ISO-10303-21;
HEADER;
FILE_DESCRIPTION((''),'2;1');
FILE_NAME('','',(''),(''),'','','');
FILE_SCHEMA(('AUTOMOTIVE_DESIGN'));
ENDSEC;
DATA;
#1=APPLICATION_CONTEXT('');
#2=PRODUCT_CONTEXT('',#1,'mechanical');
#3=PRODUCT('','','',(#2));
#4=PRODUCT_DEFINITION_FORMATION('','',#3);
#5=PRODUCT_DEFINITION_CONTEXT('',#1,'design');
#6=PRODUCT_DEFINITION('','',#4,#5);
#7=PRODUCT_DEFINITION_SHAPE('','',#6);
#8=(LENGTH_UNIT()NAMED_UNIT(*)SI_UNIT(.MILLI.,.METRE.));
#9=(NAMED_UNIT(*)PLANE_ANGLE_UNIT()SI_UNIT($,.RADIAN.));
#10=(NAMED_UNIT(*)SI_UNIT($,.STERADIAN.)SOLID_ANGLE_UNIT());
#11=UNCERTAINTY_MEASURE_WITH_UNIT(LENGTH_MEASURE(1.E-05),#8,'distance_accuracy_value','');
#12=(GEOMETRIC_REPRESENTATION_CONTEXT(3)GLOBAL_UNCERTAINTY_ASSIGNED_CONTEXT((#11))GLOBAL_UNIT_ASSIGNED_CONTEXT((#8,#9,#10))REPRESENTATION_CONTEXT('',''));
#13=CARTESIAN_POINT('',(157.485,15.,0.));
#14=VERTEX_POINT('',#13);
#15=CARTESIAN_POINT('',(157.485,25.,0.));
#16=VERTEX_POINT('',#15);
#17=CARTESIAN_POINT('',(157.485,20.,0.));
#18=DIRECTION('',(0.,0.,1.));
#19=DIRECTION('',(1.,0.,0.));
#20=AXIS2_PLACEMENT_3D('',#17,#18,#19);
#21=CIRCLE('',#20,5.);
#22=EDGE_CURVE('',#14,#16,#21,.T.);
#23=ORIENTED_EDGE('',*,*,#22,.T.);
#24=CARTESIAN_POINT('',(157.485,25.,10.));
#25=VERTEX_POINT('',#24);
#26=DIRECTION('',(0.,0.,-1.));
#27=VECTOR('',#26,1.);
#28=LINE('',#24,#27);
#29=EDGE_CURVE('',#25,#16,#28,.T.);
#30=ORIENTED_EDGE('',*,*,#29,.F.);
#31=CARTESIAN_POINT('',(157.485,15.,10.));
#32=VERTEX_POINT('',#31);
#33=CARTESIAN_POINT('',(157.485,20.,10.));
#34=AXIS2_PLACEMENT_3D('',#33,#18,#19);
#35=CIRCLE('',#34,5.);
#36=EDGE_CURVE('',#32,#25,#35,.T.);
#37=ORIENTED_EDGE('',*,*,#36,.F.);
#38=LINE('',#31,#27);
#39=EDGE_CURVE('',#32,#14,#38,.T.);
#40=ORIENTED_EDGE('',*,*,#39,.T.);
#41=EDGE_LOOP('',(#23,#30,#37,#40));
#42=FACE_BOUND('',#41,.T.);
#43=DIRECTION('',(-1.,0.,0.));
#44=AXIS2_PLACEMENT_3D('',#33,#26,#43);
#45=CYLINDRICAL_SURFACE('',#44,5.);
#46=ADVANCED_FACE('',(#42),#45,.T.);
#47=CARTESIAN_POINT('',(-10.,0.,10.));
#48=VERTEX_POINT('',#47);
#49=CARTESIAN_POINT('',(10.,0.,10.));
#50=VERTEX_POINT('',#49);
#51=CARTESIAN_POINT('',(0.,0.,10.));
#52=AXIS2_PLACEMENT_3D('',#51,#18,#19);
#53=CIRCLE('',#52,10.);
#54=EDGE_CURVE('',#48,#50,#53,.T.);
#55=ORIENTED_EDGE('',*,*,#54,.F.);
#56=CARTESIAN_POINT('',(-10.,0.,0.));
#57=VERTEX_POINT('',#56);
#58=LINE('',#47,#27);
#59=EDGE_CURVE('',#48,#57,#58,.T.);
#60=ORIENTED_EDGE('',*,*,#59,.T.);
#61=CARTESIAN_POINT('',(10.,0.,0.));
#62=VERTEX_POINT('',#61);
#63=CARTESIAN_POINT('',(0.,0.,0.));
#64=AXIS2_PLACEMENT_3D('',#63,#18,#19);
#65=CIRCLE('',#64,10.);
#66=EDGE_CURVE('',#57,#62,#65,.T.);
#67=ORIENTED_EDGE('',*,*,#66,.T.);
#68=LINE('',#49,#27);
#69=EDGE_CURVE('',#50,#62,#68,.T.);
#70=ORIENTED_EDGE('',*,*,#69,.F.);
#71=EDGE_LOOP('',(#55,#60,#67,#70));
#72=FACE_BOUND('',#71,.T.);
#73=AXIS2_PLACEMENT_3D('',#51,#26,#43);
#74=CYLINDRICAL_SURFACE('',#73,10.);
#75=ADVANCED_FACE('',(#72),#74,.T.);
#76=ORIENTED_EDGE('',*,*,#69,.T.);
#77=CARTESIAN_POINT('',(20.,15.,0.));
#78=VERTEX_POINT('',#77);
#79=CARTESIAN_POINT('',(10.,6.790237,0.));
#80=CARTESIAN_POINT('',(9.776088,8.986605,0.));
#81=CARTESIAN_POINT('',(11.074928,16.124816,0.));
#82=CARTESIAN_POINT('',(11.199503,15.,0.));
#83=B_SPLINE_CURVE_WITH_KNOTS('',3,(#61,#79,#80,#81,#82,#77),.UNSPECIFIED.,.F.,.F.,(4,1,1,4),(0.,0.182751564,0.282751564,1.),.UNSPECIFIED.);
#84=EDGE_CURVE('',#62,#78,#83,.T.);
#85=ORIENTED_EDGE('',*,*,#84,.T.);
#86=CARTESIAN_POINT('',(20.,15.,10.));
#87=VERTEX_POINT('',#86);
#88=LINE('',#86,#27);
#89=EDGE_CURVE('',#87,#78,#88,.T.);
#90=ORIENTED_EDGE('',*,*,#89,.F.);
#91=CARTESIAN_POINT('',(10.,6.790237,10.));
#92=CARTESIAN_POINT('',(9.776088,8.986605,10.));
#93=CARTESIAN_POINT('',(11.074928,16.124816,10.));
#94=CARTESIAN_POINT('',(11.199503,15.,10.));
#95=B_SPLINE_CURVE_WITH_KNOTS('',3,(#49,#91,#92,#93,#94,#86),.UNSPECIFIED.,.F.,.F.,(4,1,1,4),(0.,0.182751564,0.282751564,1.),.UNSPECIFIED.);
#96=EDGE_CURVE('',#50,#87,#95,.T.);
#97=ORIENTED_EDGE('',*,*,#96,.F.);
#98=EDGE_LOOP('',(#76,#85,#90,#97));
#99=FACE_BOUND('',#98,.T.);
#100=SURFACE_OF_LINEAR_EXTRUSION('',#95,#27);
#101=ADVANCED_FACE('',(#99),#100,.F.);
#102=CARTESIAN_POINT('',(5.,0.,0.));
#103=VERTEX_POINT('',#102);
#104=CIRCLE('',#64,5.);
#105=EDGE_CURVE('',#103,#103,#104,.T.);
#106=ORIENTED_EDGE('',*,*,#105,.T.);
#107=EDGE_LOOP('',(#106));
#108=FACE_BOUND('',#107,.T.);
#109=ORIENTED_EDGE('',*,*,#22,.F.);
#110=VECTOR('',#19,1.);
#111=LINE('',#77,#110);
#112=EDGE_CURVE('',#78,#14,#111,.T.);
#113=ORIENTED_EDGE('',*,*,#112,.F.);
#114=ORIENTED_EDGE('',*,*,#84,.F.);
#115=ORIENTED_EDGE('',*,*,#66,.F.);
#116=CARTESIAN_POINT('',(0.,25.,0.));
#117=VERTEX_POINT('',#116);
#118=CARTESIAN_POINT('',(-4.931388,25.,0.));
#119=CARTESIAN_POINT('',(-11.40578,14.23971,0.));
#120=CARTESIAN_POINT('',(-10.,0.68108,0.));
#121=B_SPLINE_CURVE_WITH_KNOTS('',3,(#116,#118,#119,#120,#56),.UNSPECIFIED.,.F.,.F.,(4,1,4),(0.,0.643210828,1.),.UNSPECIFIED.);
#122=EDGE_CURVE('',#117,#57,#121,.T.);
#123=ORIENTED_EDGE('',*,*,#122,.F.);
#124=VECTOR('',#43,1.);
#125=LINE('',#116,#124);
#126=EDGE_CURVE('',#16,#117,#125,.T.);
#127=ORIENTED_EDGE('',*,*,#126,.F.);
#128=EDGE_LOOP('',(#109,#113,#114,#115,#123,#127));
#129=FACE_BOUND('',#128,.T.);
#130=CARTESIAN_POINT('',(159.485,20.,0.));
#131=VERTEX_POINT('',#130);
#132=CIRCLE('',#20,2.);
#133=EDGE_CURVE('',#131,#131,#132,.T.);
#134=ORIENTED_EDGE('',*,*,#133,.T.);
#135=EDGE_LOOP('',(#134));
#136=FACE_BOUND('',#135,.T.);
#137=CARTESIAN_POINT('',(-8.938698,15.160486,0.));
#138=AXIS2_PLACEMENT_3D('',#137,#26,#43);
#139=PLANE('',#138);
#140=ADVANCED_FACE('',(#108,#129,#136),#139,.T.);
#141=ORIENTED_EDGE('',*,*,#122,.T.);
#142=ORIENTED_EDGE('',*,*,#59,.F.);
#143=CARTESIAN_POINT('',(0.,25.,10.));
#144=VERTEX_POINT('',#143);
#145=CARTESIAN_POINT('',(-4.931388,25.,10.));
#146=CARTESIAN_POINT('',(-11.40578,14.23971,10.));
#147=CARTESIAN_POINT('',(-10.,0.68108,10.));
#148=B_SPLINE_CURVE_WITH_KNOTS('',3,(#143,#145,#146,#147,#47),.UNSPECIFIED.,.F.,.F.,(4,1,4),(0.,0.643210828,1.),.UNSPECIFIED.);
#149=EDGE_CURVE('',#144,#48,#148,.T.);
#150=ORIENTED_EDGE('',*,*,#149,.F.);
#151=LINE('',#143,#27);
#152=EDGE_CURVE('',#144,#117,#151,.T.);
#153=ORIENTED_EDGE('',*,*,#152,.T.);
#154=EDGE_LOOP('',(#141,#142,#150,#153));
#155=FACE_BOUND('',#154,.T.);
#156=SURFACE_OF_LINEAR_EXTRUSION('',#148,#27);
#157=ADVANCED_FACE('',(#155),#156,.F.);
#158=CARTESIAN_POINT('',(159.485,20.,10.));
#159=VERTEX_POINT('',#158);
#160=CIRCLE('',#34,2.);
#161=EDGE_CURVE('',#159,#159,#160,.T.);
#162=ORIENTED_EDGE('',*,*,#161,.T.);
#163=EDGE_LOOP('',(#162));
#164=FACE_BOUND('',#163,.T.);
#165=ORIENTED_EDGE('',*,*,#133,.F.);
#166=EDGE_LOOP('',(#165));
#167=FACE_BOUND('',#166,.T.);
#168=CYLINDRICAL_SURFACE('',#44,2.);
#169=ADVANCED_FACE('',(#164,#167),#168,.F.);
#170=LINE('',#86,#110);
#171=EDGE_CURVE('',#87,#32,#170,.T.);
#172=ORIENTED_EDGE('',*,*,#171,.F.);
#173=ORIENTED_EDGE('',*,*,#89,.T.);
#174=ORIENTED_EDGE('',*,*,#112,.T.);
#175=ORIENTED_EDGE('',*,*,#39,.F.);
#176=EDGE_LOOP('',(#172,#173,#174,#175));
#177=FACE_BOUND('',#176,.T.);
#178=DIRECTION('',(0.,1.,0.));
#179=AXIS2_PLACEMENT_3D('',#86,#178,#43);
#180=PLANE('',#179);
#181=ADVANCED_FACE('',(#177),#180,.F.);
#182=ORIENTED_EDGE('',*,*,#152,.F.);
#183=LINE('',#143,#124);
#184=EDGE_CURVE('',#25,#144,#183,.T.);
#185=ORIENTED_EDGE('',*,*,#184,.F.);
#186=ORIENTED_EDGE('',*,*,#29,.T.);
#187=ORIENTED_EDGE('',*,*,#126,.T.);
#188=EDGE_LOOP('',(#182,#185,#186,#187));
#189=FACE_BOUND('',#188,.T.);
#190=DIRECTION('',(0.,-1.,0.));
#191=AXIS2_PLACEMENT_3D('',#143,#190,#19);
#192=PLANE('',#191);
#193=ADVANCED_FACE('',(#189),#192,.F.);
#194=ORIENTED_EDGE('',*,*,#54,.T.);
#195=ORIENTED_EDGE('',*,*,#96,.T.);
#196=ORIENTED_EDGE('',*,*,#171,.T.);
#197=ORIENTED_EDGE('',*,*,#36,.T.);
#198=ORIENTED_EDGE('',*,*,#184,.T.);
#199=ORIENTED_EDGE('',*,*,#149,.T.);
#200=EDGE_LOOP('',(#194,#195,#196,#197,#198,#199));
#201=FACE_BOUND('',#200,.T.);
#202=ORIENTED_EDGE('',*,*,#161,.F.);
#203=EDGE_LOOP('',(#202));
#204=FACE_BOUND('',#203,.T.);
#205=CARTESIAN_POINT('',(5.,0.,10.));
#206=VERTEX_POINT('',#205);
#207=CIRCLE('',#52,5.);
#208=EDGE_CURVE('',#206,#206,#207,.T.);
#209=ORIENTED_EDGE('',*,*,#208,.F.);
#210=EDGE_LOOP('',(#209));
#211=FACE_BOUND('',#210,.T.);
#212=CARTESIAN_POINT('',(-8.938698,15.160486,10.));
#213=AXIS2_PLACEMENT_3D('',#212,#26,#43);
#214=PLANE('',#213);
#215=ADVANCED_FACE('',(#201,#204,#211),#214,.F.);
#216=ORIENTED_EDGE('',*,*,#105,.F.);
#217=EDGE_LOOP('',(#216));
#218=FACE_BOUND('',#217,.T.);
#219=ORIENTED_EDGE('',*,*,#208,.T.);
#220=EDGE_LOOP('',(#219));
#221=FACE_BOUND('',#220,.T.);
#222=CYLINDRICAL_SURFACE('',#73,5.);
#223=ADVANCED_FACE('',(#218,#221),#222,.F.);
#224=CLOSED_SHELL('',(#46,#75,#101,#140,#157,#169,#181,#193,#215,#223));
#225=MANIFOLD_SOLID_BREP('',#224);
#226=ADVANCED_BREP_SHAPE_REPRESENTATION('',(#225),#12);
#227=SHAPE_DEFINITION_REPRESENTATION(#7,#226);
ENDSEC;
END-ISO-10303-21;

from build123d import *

# Parameters (mm, degrees)
SKETCH1_R           = 2
SKETCH1_R_2         = 5
BOSS_EXTRUDE1_DEPTH = 10


with BuildPart() as part:
    # Sketch1 → Boss-Extrude1 (new body)
    with BuildSketch(Plane(origin=(0, 0, 0), x_dir=(0, 1, 0), z_dir=(0, 0, 1))):
        with BuildLine():
            Line((25, 0), (25, -157.485))
            ThreePointArc((25, -157.485), (20, -162.485), (15, -157.485))
            Line((15, -157.485), (15, -20))
            add(Edge.make_bspline(
                [(0, -10), (6.790237035, -10), (8.986605454, -9.776088448), (16.124815875, -11.074928382), (15, -11.199503027), (15, -20)],
                knots=[0, 0, 0, 0, 0.182751564, 0.282751564, 1, 1, 1, 1], degree=3))
            ThreePointArc((0, -10), (-10, 0), (0, 10))
            add(Edge.make_bspline(
                [(0, 10), (0.681079819, 10), (14.239709664, 11.405780044), (25, 4.931387971), (25, 0)],
                knots=[0, 0, 0, 0, 0.356789172, 1, 1, 1, 1], degree=3))
        make_face()
        with Locations(Location((20, -157.485, 0), (0, 0, 270))):
            Circle(SKETCH1_R, mode=Mode.SUBTRACT)
        with Locations(Location((0, 0, 0), (0, 0, 270))):
            Circle(SKETCH1_R_2, mode=Mode.SUBTRACT)
    extrude(amount=BOSS_EXTRUDE1_DEPTH)


solid = part.part
